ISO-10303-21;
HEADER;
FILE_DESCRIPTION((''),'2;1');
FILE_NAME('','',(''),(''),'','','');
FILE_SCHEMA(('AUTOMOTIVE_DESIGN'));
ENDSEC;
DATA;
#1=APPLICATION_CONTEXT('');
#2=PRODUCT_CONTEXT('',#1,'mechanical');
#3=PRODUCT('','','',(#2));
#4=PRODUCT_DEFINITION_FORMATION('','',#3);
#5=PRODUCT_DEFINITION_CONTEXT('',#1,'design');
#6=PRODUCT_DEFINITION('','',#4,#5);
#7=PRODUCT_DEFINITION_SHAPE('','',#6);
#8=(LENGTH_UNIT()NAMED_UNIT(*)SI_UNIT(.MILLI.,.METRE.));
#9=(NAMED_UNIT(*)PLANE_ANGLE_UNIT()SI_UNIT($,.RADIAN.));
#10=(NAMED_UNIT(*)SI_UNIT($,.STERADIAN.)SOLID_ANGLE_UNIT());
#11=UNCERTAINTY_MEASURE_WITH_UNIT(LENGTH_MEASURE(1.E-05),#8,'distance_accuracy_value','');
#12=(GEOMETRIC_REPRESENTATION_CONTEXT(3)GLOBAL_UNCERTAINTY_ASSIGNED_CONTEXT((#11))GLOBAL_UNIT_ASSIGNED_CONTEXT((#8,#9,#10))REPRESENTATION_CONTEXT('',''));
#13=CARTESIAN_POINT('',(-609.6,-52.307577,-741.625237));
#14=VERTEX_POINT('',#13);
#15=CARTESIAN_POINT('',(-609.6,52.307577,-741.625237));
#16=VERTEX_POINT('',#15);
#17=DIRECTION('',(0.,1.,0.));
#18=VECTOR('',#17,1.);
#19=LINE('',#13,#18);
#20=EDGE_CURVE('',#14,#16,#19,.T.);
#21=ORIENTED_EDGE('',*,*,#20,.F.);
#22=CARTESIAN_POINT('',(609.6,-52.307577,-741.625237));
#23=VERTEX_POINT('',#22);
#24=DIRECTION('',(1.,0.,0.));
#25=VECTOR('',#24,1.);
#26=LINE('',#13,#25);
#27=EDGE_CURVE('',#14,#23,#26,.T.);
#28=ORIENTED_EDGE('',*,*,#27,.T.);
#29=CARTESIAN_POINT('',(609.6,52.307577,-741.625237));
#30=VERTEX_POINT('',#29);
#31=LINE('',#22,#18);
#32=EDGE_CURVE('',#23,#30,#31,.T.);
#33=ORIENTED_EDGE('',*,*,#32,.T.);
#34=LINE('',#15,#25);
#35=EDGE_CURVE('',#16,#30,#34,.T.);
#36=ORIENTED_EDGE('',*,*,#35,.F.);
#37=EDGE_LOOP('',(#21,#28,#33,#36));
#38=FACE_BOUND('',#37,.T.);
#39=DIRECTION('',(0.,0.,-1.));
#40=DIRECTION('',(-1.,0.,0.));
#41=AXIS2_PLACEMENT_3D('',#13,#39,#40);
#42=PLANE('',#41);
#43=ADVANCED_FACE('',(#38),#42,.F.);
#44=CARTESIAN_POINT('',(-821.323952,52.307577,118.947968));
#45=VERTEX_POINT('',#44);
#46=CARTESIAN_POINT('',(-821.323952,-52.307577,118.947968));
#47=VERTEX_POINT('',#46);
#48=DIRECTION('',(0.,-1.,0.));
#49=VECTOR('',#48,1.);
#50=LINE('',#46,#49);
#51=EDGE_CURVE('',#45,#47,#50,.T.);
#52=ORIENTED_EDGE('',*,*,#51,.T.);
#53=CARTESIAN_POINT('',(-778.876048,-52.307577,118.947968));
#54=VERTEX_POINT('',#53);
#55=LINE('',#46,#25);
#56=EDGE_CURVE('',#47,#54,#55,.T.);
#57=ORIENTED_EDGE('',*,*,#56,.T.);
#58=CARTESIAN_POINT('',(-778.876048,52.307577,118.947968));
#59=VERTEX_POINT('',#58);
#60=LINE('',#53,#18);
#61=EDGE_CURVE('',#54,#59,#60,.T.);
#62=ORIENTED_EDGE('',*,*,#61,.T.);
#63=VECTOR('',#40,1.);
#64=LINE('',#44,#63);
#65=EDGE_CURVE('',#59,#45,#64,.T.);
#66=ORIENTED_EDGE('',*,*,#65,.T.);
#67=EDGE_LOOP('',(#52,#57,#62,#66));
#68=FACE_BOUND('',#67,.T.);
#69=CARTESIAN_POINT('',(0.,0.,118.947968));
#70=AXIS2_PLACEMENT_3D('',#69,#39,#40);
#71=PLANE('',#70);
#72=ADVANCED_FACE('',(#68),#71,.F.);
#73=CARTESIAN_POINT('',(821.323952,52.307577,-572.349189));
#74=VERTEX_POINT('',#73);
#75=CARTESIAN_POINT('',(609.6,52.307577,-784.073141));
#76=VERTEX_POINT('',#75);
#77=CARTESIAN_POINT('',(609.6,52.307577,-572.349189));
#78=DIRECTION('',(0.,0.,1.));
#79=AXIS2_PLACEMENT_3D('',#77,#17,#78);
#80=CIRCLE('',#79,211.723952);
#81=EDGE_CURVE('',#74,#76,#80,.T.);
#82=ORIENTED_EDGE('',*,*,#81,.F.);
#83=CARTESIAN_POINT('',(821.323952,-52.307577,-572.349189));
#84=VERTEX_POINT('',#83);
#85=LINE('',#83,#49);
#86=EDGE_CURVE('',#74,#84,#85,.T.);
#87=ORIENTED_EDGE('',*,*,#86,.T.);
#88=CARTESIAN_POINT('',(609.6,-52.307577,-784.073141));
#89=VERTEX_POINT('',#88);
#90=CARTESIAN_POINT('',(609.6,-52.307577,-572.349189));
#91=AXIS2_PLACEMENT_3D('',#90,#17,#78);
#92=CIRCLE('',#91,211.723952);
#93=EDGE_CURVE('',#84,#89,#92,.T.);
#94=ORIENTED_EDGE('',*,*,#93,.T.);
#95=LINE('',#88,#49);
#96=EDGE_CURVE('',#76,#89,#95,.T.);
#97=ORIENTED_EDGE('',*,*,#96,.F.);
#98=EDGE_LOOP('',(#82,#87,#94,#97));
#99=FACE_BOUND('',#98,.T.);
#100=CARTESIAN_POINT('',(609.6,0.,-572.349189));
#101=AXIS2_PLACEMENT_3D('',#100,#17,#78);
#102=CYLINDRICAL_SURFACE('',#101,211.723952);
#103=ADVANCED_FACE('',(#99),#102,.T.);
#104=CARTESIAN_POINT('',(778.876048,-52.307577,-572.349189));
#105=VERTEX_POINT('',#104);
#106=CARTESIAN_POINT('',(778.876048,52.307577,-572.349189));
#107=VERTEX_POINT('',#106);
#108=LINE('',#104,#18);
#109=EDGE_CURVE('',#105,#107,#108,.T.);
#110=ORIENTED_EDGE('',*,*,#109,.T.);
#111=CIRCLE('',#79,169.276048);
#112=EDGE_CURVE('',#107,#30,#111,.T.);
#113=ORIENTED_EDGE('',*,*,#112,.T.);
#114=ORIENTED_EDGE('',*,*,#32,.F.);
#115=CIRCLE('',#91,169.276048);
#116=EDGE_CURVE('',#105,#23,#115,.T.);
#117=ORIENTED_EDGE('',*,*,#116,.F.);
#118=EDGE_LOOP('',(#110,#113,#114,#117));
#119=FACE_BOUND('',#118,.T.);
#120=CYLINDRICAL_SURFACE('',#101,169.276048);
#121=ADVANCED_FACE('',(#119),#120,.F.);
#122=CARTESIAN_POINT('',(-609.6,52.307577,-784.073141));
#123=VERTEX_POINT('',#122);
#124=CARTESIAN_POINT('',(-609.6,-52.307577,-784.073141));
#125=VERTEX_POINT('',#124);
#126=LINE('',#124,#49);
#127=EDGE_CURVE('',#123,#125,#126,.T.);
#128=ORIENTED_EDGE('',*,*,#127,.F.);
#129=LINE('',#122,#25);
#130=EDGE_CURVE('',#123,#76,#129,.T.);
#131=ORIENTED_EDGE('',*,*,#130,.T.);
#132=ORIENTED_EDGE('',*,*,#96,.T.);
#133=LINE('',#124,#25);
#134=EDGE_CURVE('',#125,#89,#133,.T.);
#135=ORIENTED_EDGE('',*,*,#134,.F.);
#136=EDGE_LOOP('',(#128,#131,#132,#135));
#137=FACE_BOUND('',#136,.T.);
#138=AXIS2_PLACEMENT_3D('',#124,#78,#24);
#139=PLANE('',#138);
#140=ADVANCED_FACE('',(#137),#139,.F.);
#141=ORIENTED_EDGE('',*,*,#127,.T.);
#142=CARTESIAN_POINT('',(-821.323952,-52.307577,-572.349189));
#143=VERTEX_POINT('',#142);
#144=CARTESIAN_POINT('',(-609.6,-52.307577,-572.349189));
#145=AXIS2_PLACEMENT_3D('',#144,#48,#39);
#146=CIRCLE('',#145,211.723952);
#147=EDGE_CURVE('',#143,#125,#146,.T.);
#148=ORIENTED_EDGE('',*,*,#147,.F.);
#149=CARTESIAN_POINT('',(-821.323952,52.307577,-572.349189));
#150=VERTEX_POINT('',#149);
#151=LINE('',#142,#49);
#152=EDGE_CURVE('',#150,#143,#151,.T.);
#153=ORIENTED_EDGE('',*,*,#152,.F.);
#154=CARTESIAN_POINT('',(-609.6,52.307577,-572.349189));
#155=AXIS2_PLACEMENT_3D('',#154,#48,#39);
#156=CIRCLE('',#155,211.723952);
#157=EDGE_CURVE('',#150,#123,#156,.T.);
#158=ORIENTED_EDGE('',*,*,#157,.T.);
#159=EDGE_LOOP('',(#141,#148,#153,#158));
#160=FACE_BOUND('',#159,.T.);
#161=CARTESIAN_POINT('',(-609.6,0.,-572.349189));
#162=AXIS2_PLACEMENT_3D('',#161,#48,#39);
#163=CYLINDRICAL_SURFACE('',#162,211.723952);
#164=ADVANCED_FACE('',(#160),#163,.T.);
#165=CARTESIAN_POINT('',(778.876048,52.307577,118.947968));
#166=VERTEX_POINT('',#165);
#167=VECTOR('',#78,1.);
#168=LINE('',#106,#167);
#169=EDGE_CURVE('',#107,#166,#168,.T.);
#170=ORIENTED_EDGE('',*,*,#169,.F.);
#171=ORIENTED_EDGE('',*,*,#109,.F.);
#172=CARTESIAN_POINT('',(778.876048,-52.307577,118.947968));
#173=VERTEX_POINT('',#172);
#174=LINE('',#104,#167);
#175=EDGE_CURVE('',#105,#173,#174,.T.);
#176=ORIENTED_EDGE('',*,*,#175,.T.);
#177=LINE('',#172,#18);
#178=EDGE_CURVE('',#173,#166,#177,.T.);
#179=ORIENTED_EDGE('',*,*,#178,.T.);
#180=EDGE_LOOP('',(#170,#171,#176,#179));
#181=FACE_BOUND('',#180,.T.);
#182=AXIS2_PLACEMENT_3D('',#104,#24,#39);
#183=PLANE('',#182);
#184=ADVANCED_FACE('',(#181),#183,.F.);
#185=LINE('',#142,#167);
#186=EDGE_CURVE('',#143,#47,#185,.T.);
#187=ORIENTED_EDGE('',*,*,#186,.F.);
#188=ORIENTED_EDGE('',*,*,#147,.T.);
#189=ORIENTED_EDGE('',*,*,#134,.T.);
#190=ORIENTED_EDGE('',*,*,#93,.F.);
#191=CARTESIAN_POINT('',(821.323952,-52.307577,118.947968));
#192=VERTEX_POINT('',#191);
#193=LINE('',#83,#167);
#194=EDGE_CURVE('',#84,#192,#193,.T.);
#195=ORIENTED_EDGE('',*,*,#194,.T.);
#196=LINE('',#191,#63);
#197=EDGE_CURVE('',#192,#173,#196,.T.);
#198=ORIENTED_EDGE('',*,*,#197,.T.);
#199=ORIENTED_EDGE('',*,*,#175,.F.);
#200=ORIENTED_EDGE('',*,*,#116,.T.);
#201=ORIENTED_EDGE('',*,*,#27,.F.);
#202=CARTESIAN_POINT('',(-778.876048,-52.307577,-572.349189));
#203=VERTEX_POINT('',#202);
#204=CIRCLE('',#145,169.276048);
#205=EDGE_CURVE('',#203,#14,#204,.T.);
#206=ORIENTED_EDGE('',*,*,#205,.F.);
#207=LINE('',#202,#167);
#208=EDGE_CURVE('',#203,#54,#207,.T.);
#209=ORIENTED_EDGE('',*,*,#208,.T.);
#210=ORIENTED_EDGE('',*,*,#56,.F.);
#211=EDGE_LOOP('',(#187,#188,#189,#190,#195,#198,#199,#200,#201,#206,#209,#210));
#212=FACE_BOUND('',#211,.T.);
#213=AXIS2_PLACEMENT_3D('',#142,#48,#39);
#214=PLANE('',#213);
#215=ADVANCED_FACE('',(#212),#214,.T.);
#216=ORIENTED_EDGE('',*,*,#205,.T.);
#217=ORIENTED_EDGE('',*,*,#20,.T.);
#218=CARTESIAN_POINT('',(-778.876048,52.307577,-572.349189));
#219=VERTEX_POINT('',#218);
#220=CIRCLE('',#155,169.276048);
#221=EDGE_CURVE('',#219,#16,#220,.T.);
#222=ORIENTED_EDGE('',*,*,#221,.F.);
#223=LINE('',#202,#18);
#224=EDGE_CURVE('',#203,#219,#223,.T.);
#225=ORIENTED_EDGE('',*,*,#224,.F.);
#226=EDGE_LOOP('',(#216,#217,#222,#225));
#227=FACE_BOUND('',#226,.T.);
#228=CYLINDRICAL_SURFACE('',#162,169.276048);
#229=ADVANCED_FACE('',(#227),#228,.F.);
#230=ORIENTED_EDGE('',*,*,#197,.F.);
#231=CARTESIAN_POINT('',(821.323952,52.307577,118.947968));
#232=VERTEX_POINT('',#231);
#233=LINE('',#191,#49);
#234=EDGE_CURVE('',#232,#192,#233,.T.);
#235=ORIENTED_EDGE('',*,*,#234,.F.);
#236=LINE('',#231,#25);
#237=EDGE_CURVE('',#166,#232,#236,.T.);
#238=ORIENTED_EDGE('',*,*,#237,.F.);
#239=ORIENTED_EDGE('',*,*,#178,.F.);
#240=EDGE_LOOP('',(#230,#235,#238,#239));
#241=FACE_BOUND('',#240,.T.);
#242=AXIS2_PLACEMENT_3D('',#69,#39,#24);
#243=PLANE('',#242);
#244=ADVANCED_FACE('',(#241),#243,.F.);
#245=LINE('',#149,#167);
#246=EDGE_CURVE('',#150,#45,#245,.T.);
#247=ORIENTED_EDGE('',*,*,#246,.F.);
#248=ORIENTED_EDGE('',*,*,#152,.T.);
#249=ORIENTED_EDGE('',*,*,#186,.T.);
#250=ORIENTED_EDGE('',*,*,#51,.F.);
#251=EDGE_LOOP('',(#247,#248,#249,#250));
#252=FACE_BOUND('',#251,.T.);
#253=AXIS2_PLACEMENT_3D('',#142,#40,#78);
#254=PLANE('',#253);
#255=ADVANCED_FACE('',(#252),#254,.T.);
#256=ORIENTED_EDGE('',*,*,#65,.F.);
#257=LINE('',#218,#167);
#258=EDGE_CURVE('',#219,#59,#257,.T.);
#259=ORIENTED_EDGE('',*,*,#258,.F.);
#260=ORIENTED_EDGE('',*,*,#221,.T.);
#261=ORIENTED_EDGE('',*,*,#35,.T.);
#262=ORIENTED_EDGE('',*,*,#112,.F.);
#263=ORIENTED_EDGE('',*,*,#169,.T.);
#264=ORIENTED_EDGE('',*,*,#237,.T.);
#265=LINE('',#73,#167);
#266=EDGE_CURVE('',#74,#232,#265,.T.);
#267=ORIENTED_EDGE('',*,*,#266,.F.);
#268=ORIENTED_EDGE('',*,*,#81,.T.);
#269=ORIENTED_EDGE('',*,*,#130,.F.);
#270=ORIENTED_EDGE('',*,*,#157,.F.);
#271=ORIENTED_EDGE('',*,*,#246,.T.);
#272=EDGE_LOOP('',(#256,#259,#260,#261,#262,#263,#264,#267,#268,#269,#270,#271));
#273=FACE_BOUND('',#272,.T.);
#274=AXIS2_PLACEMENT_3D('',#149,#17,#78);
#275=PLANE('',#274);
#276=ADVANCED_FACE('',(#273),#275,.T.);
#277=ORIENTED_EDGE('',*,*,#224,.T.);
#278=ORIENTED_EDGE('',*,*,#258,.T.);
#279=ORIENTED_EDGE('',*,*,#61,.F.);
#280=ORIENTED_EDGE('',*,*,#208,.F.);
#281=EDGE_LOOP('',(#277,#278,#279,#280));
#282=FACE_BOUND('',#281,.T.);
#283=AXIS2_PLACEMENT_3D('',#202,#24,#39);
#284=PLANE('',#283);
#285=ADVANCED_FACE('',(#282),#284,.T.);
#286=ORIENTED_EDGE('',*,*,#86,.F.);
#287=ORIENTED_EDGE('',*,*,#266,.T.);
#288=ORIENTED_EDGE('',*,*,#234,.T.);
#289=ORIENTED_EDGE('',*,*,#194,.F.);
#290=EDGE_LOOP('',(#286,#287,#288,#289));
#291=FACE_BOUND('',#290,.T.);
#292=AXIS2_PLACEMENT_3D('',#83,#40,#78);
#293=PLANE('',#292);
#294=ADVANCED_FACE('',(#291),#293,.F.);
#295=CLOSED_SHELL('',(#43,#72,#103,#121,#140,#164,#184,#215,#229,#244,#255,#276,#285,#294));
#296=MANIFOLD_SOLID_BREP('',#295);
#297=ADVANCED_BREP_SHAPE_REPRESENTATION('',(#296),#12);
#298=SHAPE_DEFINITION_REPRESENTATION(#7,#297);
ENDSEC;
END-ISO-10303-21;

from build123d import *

# Parameters (mm, degrees)
SKETCH2_W = 42.447903748
SKETCH2_H = 104.615154758


with BuildPart() as part:
    # Sweep1: sweep along a path in Sketch1
    with BuildLine(Plane(origin=(0, 0, 0), x_dir=(1, 0, 0), z_dir=(0, 1, 0))) as sweep1_path:
        Line((0, 762.84918933), (-609.6, 762.84918933))
        ThreePointArc((-609.6, 762.84918933), (-744.303841816, 707.053031146), (-800.1, 572.34918933))
        Line((-800.1, 572.34918933), (-800.1, -118.947967944))
    # Sketch2 → Sweep1 (sweep)
    with BuildSketch(Plane(origin=(-800.1, 0, 118.947967944), x_dir=(1, 0, 0), z_dir=(0, 0, 1))):
        Rectangle(SKETCH2_W, SKETCH2_H)
    sweep1 = sweep(path=sweep1_path.line)

    # Mirror1: Sweep1 across plane
    add(sweep1.mirror(Plane(origin=(0, 0, 37.25081067), x_dir=(0, 0, 1), z_dir=(1, 0, 0))))


solid = part.part
